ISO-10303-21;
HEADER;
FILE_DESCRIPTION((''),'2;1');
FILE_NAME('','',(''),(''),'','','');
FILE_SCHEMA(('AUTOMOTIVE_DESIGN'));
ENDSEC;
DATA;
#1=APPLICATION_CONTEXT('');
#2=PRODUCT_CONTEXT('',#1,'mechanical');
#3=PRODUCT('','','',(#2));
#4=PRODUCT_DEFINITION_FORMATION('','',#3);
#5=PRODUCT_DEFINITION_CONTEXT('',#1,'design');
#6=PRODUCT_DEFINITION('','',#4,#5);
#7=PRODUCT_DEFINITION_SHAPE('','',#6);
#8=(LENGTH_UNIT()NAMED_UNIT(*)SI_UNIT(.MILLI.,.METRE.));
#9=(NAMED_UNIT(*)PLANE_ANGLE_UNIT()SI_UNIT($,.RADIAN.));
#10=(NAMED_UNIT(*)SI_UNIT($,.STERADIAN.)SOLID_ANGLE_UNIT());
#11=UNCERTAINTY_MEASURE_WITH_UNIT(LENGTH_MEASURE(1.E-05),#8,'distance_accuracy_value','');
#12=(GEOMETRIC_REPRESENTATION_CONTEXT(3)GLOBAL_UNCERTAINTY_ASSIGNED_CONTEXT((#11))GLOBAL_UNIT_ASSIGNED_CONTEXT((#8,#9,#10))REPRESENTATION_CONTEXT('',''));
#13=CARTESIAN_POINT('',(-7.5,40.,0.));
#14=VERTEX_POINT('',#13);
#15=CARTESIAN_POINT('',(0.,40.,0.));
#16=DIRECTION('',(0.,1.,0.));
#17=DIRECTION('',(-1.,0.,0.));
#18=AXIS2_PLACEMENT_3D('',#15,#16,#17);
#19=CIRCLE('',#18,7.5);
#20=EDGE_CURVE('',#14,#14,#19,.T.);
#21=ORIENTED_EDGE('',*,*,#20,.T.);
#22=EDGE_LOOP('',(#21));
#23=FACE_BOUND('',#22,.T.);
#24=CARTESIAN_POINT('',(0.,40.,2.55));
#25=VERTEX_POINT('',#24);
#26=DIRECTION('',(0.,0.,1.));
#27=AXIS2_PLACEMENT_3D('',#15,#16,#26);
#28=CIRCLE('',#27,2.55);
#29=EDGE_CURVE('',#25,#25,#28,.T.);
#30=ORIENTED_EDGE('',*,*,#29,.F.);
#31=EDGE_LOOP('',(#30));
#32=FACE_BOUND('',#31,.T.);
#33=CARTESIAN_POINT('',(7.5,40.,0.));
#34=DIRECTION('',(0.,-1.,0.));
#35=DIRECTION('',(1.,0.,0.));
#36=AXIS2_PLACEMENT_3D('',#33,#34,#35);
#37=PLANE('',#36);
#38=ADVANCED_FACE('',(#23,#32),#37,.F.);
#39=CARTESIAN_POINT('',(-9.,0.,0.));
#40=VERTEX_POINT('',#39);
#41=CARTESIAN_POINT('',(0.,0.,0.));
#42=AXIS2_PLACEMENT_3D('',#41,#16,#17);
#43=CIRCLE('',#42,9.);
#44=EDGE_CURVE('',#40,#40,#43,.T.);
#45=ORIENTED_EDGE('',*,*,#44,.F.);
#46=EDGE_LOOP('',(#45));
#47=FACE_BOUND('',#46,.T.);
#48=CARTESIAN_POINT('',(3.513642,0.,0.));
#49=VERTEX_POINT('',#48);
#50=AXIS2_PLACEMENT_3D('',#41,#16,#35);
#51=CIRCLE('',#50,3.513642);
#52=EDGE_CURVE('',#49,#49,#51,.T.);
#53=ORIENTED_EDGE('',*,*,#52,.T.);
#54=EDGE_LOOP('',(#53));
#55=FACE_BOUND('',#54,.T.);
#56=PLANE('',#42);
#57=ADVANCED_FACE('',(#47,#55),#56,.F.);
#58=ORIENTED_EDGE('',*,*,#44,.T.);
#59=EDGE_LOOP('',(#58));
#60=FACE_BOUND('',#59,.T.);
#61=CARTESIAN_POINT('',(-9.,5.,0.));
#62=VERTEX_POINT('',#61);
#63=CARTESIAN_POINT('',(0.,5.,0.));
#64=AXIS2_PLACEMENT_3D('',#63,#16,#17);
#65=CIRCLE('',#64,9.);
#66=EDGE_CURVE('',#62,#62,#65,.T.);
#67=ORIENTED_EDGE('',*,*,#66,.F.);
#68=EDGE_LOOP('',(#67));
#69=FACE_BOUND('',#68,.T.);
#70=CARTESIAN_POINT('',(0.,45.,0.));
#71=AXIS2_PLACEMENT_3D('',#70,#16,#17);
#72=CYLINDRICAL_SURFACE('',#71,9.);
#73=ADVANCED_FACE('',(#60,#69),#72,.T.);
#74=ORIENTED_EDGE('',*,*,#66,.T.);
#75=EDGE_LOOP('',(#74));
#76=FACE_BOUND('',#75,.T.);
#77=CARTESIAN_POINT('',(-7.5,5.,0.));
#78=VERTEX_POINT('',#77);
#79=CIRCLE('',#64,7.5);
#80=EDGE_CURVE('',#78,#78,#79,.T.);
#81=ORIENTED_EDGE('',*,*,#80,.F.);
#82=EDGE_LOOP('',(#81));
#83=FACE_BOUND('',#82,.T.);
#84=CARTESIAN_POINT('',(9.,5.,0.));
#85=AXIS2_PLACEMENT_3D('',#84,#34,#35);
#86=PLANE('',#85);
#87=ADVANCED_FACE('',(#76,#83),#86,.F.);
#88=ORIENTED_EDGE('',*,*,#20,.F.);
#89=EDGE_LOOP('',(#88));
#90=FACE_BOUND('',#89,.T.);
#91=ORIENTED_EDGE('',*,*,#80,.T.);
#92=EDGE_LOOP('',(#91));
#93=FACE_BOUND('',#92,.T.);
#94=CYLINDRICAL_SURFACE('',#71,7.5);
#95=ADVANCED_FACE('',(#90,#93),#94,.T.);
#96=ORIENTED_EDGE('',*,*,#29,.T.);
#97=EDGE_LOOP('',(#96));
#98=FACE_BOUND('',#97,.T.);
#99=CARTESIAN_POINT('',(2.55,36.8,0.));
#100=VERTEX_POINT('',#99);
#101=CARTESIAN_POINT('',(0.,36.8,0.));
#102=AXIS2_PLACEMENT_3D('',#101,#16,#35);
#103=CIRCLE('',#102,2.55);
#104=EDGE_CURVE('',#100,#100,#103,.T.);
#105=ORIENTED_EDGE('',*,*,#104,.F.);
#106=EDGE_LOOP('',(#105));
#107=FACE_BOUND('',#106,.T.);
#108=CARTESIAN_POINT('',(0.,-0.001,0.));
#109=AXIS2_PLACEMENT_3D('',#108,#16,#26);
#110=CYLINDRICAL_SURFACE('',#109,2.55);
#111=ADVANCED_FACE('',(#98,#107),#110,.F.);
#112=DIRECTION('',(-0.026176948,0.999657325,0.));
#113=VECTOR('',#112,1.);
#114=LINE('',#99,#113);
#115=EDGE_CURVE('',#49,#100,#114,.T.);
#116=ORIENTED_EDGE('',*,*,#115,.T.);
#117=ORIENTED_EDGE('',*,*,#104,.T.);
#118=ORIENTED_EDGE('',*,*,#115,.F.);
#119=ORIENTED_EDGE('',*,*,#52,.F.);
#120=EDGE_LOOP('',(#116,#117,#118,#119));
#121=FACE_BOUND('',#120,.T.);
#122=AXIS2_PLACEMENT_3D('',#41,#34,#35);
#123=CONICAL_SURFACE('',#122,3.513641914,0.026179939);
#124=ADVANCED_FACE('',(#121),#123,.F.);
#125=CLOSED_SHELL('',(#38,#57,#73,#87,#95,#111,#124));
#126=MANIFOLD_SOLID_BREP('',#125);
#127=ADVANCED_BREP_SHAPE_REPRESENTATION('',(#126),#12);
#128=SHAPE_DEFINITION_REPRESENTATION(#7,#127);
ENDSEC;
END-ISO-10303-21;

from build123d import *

# Parameters (mm, degrees)
CUT_EXTRUDE1_REACH = 43.976
SKETCH2_R          = 2.55


with BuildPart() as part:
    # Sketch1 → Revolve1 (revolve)
    with BuildSketch(Plane.XY, mode=Mode.PRIVATE) as revolve1_sk:
        Polygon((0, 0), (9, 0), (9, 5), (7.5, 5), (7.5, 40), (0, 40), align=None)
    revolve(revolve1_sk.sketch.rotate(Axis((0, 45, 0), (0, -1, 0)), 180), axis=Axis((0, 45, 0), (0, -1, 0)))

    # Sketch2 → Cut-Extrude1 (cut, up to next)
    with BuildSketch(Plane(origin=(0, 40, 0), x_dir=(1, 0, 0), z_dir=(0, 1, 0)), mode=Mode.PRIVATE) as cut_extrude1_sk1:
        with Locations(Location((0, 0, 0), (0, 0, 270))):
            Circle(SKETCH2_R)
    cut_extrude1_tool1 = extrude(cut_extrude1_sk1.sketch, amount=-CUT_EXTRUDE1_REACH, mode=Mode.PRIVATE) & part.part
    add(cut_extrude1_tool1.solids().sort_by_distance((0, 40, 0))[0], mode=Mode.SUBTRACT)

    # Cut-Sweep1: sweep along a path in Sketch5
    with BuildLine(Plane(origin=(0, 40, 0), x_dir=(1, 0, 0), z_dir=(0, 1, 0))) as cut_sweep1_path:
        CenterArc((0, 0), 2.55, 0, 360)
    # Sketch3 → Cut-Sweep1 (sweep, cut)
    with BuildSketch(Plane.XY):
        Polygon((2.55, 36.8), (3.513641914, 0), (2.55, 0), align=None)
    sweep(path=cut_sweep1_path.line, mode=Mode.SUBTRACT)


solid = part.part
